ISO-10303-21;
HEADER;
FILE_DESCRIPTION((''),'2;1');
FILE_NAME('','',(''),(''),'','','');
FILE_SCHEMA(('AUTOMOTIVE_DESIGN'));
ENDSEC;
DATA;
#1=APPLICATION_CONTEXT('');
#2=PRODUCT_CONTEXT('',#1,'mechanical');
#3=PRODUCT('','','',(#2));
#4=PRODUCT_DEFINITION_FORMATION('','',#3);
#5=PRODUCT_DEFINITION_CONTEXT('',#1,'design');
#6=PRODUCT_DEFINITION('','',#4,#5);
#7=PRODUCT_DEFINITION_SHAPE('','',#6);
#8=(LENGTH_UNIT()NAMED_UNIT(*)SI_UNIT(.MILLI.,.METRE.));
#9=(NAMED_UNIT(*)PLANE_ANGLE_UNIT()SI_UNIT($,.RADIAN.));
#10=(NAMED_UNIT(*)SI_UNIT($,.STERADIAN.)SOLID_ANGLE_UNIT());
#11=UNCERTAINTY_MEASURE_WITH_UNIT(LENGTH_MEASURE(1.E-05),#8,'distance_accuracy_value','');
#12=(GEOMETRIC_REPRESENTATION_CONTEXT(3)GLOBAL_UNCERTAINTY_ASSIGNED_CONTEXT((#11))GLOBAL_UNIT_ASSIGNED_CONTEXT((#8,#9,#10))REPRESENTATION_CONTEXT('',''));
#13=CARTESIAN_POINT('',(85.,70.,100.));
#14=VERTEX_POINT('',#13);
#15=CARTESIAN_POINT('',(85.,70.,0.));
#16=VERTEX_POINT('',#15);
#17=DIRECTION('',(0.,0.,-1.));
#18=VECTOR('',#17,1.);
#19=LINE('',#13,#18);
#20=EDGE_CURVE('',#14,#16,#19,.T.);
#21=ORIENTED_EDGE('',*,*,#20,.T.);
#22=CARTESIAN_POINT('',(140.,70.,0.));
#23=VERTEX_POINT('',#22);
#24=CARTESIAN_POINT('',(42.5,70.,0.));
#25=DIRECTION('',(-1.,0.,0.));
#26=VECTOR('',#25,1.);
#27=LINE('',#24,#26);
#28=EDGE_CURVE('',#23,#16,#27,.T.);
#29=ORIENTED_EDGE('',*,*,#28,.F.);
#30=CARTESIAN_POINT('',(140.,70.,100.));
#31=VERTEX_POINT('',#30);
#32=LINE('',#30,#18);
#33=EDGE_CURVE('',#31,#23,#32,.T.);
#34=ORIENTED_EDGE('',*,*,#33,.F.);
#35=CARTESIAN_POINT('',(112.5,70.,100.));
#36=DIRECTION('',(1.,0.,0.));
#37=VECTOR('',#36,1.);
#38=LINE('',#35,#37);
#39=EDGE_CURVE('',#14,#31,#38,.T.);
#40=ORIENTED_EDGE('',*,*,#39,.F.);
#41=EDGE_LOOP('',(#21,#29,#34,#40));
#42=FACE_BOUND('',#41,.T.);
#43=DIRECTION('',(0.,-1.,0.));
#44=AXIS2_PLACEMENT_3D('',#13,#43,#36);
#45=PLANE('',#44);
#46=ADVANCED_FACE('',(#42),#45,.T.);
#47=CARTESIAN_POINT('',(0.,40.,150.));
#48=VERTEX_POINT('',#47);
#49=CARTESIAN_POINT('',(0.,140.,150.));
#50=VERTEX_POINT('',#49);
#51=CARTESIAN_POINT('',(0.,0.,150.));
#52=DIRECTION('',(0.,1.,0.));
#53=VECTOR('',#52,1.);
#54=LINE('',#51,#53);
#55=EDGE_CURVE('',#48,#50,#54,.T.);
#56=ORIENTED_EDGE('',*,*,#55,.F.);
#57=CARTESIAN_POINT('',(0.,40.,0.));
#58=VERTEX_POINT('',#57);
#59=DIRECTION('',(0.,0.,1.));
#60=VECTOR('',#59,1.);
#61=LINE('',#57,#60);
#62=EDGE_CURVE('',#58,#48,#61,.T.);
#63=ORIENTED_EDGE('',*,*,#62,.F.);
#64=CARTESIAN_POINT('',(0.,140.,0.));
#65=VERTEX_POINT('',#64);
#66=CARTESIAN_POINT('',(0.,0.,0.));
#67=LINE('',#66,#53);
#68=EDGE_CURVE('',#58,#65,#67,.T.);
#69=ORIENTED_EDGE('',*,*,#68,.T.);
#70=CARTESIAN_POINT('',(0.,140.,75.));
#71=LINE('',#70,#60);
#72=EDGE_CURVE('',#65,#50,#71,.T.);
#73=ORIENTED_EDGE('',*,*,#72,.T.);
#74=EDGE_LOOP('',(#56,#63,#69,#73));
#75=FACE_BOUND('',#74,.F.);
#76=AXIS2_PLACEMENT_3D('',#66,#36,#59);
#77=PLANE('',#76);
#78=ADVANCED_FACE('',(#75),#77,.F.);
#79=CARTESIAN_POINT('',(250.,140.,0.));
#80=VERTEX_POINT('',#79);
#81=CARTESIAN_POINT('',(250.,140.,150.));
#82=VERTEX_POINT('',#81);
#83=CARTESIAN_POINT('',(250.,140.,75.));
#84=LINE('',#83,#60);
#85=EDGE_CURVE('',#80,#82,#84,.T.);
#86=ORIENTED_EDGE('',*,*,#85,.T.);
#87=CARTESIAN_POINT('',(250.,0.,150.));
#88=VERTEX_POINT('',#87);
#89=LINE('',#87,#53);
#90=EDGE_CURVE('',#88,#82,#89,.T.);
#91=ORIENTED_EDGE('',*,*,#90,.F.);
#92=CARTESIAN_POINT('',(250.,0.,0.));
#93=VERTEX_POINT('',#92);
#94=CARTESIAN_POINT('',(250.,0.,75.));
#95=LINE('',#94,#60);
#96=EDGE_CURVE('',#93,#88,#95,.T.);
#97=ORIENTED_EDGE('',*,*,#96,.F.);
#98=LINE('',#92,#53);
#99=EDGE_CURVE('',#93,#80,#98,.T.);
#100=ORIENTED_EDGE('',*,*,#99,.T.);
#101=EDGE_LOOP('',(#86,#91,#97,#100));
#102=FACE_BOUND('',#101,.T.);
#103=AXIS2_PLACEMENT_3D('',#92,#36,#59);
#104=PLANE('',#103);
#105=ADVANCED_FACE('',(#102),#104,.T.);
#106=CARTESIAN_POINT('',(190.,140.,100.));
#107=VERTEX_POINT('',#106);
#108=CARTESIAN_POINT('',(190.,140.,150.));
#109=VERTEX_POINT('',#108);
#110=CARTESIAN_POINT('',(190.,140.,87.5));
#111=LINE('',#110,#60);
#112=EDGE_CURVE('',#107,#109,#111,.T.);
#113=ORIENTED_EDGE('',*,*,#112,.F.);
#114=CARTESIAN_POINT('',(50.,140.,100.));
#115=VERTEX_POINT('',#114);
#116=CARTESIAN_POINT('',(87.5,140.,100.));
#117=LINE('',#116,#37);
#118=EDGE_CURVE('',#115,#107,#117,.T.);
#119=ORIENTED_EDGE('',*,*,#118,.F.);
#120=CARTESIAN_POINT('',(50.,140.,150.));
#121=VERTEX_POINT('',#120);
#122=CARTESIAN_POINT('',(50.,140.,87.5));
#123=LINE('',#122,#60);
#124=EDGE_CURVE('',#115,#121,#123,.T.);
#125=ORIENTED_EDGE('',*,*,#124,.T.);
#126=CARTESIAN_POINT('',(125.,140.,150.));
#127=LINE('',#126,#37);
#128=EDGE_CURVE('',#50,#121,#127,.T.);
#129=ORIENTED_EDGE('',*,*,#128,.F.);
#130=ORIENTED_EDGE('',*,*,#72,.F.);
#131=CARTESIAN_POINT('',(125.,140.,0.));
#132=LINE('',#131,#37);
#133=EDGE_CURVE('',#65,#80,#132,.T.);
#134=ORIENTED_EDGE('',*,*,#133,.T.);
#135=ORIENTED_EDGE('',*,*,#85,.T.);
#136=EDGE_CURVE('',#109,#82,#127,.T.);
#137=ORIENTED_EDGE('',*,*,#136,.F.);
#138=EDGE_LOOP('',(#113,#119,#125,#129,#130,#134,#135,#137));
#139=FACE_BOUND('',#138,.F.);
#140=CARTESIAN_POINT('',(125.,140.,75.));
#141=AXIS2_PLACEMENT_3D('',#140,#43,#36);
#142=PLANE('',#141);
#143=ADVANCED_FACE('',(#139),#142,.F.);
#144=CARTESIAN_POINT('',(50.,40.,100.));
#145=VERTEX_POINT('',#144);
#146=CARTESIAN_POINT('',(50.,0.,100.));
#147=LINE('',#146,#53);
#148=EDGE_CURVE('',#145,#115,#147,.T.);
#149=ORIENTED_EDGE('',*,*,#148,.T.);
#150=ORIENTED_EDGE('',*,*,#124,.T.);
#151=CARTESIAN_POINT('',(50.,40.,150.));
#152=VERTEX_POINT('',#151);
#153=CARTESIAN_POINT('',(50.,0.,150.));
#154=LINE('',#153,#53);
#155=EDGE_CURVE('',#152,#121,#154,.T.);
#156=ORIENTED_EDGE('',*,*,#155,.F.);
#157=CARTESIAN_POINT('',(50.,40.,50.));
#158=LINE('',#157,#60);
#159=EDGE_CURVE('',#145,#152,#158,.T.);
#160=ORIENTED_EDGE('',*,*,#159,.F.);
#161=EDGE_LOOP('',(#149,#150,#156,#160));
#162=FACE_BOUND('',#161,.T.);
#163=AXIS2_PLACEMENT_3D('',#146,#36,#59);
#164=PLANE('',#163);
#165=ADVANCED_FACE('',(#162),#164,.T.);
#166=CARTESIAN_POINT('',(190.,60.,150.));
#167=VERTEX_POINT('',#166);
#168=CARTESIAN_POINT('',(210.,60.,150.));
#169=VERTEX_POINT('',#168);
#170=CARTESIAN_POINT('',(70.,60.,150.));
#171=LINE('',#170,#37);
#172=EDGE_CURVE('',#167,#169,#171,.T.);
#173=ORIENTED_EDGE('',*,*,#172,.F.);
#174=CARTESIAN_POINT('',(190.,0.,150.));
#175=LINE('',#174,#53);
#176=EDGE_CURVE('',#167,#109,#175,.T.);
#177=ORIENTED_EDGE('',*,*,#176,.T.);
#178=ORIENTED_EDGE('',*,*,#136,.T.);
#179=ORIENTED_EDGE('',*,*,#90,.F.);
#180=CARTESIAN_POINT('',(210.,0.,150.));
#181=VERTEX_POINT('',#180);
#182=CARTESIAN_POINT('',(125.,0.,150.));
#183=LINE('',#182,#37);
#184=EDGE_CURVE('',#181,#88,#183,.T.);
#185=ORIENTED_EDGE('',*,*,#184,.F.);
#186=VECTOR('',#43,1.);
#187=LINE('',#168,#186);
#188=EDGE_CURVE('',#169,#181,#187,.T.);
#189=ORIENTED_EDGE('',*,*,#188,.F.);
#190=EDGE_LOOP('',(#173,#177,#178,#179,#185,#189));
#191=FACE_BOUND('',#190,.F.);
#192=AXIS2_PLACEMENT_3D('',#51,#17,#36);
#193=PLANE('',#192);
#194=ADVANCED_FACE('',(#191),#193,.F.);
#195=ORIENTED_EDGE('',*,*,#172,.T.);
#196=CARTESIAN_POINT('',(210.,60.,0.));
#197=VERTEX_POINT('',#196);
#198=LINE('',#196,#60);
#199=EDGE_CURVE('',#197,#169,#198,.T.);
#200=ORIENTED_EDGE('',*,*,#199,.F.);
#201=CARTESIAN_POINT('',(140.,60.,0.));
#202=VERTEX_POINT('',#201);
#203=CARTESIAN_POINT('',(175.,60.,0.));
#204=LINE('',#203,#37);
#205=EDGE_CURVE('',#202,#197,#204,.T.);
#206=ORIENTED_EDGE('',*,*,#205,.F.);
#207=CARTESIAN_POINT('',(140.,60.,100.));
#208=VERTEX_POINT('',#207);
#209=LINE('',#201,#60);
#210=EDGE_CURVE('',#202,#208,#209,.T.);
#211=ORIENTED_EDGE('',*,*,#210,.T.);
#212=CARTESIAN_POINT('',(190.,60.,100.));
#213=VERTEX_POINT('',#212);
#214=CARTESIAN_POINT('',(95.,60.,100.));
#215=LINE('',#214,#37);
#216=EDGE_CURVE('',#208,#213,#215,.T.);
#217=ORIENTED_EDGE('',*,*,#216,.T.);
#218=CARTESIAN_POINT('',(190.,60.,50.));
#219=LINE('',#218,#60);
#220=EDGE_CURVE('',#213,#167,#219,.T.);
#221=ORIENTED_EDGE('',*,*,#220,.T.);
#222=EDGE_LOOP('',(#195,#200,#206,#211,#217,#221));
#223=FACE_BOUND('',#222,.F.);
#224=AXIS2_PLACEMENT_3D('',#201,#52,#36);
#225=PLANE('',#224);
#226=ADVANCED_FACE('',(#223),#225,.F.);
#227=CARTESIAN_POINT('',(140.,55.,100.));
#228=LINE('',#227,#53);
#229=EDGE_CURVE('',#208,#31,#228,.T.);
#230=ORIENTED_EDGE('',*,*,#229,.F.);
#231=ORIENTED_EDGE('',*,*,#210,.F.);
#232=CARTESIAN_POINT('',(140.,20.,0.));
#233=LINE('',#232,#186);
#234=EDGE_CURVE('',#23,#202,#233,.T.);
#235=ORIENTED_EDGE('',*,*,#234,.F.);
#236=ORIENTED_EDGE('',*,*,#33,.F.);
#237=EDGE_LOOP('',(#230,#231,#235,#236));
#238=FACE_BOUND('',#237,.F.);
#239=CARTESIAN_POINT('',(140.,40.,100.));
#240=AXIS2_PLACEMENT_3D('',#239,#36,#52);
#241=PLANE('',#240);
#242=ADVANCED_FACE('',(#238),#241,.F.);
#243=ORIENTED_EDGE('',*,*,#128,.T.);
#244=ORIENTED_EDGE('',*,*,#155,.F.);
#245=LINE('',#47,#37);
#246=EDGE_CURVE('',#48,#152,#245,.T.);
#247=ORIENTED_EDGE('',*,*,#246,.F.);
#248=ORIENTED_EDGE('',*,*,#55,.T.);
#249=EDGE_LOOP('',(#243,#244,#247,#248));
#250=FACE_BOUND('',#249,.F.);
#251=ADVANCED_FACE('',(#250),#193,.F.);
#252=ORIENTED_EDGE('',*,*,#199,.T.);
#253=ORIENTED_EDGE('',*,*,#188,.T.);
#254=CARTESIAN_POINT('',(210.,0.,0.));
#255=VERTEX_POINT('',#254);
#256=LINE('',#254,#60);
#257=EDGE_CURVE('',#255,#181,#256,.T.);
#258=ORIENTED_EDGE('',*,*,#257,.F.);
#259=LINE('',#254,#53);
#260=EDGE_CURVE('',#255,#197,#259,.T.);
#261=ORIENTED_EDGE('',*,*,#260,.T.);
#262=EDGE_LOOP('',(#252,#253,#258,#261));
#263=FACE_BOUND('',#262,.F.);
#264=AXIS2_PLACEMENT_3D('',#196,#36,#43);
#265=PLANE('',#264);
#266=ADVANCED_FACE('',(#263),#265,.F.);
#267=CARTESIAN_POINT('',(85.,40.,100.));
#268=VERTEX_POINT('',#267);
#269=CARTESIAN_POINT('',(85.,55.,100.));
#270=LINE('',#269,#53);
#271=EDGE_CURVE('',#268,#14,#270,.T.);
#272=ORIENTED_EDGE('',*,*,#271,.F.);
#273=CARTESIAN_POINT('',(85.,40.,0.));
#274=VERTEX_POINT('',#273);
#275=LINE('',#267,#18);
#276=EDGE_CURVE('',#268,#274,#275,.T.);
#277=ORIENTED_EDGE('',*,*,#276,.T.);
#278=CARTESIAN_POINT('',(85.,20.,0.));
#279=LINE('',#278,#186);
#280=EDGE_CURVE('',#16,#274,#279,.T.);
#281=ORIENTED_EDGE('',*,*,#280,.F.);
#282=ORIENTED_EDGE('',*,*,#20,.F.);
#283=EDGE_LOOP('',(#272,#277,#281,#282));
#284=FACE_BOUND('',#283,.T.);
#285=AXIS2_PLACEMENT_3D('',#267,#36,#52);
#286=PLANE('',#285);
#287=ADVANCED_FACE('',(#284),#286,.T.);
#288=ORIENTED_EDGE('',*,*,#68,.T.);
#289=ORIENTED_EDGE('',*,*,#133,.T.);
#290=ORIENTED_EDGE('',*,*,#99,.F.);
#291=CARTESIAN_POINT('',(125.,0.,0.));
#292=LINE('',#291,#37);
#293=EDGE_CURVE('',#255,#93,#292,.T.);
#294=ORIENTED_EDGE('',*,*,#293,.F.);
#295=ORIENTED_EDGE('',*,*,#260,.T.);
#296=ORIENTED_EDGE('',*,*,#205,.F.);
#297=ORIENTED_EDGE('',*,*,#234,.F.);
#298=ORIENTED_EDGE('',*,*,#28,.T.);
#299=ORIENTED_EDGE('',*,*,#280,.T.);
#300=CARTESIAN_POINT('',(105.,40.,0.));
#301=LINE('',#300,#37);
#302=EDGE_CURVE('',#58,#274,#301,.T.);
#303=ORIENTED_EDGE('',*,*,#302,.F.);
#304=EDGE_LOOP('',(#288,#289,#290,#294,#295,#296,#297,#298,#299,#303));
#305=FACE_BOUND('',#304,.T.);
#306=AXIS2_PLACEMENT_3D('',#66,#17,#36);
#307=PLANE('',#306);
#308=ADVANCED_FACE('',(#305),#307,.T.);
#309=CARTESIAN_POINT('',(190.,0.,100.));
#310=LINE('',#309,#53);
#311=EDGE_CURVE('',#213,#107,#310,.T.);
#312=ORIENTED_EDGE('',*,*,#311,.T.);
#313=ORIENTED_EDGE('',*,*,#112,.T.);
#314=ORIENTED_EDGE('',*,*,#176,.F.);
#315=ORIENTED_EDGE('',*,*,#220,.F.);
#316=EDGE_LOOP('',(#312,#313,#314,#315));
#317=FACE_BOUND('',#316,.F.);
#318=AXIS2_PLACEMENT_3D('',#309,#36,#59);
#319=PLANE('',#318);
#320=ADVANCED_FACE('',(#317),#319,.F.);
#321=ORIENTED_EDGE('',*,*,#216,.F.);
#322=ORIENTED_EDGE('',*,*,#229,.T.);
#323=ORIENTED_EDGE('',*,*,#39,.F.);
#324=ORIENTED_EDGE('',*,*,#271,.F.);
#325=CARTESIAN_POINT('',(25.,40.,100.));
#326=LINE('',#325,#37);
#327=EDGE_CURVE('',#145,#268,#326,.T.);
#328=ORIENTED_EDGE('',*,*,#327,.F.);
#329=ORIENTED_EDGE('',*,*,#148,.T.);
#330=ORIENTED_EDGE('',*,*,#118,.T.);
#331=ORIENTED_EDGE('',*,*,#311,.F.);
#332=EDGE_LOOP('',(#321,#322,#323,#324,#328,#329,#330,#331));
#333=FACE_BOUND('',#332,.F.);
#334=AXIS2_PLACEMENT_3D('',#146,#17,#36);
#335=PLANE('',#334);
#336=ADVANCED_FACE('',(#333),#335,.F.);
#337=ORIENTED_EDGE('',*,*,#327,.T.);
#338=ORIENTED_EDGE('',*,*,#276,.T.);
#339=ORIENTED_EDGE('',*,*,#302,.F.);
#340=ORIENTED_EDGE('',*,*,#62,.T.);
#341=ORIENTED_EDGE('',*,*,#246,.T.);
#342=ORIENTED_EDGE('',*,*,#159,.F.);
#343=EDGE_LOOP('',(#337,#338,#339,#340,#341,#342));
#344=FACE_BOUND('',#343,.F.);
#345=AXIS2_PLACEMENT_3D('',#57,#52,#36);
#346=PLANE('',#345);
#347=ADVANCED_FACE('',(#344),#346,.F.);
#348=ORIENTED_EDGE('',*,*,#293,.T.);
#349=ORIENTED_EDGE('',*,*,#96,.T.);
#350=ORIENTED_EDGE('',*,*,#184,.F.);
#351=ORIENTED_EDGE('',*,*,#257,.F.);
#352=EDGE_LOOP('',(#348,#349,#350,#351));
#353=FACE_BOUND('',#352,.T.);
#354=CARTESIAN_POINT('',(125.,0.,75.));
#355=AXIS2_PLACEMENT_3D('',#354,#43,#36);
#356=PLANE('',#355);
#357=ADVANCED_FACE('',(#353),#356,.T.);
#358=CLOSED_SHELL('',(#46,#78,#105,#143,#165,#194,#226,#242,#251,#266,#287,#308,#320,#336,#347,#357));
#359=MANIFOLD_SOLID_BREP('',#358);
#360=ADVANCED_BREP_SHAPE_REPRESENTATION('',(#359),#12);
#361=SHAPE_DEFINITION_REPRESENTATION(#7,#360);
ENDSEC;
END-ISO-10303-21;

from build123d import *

# Parameters (mm, degrees)
F0_W     = 250
F0_H     = 150
F1_DEPTH = 140
F2_W     = 140
F2_H     = 50
F3_DEPTH = 140.001
F4_W     = 210
F4_H     = 40
F5_DEPTH = 150.001
F6_W     = 55
F6_H     = 30
F7_DEPTH = 100.001
F8_W     = 70
F8_H     = 20
F9_DEPTH = 150.001


with BuildPart() as f1:
    # F0 (on Front) → F1 (new body)
    with BuildSketch(Plane.XZ):
        with Locations((125, 75)):
            Rectangle(F0_W, F0_H)
    extrude(amount=-F1_DEPTH)

    # F2 (on face) → F3 (cut, through all)
    with BuildSketch(Plane.XZ):
        with Locations((120, 125)):
            Rectangle(F2_W, F2_H)
    extrude(amount=-F3_DEPTH, mode=Mode.SUBTRACT)

    # F4 (on face) → F5 (cut, through all)
    with BuildSketch(Plane(origin=(0, 0, 0), x_dir=(1, 0, 0), z_dir=(0, 0, -1))):
        with Locations((105, -20)):
            Rectangle(F4_W, F4_H)
    extrude(amount=-F5_DEPTH, mode=Mode.SUBTRACT)

    # F6 (on face) → F7 (cut, through all)
    with BuildSketch(Plane.XY.offset(100)):
        with Locations((112.5, 55)):
            Rectangle(F6_W, F6_H)
    extrude(amount=-F7_DEPTH, mode=Mode.SUBTRACT)

    # F8 (on face) → F9 (cut, through all)
    with BuildSketch(Plane(origin=(0, 0, 0), x_dir=(1, 0, 0), z_dir=(0, 0, -1))):
        with Locations((175, -50)):
            Rectangle(F8_W, F8_H)
    extrude(amount=-F9_DEPTH, mode=Mode.SUBTRACT)


solid = f1.part
